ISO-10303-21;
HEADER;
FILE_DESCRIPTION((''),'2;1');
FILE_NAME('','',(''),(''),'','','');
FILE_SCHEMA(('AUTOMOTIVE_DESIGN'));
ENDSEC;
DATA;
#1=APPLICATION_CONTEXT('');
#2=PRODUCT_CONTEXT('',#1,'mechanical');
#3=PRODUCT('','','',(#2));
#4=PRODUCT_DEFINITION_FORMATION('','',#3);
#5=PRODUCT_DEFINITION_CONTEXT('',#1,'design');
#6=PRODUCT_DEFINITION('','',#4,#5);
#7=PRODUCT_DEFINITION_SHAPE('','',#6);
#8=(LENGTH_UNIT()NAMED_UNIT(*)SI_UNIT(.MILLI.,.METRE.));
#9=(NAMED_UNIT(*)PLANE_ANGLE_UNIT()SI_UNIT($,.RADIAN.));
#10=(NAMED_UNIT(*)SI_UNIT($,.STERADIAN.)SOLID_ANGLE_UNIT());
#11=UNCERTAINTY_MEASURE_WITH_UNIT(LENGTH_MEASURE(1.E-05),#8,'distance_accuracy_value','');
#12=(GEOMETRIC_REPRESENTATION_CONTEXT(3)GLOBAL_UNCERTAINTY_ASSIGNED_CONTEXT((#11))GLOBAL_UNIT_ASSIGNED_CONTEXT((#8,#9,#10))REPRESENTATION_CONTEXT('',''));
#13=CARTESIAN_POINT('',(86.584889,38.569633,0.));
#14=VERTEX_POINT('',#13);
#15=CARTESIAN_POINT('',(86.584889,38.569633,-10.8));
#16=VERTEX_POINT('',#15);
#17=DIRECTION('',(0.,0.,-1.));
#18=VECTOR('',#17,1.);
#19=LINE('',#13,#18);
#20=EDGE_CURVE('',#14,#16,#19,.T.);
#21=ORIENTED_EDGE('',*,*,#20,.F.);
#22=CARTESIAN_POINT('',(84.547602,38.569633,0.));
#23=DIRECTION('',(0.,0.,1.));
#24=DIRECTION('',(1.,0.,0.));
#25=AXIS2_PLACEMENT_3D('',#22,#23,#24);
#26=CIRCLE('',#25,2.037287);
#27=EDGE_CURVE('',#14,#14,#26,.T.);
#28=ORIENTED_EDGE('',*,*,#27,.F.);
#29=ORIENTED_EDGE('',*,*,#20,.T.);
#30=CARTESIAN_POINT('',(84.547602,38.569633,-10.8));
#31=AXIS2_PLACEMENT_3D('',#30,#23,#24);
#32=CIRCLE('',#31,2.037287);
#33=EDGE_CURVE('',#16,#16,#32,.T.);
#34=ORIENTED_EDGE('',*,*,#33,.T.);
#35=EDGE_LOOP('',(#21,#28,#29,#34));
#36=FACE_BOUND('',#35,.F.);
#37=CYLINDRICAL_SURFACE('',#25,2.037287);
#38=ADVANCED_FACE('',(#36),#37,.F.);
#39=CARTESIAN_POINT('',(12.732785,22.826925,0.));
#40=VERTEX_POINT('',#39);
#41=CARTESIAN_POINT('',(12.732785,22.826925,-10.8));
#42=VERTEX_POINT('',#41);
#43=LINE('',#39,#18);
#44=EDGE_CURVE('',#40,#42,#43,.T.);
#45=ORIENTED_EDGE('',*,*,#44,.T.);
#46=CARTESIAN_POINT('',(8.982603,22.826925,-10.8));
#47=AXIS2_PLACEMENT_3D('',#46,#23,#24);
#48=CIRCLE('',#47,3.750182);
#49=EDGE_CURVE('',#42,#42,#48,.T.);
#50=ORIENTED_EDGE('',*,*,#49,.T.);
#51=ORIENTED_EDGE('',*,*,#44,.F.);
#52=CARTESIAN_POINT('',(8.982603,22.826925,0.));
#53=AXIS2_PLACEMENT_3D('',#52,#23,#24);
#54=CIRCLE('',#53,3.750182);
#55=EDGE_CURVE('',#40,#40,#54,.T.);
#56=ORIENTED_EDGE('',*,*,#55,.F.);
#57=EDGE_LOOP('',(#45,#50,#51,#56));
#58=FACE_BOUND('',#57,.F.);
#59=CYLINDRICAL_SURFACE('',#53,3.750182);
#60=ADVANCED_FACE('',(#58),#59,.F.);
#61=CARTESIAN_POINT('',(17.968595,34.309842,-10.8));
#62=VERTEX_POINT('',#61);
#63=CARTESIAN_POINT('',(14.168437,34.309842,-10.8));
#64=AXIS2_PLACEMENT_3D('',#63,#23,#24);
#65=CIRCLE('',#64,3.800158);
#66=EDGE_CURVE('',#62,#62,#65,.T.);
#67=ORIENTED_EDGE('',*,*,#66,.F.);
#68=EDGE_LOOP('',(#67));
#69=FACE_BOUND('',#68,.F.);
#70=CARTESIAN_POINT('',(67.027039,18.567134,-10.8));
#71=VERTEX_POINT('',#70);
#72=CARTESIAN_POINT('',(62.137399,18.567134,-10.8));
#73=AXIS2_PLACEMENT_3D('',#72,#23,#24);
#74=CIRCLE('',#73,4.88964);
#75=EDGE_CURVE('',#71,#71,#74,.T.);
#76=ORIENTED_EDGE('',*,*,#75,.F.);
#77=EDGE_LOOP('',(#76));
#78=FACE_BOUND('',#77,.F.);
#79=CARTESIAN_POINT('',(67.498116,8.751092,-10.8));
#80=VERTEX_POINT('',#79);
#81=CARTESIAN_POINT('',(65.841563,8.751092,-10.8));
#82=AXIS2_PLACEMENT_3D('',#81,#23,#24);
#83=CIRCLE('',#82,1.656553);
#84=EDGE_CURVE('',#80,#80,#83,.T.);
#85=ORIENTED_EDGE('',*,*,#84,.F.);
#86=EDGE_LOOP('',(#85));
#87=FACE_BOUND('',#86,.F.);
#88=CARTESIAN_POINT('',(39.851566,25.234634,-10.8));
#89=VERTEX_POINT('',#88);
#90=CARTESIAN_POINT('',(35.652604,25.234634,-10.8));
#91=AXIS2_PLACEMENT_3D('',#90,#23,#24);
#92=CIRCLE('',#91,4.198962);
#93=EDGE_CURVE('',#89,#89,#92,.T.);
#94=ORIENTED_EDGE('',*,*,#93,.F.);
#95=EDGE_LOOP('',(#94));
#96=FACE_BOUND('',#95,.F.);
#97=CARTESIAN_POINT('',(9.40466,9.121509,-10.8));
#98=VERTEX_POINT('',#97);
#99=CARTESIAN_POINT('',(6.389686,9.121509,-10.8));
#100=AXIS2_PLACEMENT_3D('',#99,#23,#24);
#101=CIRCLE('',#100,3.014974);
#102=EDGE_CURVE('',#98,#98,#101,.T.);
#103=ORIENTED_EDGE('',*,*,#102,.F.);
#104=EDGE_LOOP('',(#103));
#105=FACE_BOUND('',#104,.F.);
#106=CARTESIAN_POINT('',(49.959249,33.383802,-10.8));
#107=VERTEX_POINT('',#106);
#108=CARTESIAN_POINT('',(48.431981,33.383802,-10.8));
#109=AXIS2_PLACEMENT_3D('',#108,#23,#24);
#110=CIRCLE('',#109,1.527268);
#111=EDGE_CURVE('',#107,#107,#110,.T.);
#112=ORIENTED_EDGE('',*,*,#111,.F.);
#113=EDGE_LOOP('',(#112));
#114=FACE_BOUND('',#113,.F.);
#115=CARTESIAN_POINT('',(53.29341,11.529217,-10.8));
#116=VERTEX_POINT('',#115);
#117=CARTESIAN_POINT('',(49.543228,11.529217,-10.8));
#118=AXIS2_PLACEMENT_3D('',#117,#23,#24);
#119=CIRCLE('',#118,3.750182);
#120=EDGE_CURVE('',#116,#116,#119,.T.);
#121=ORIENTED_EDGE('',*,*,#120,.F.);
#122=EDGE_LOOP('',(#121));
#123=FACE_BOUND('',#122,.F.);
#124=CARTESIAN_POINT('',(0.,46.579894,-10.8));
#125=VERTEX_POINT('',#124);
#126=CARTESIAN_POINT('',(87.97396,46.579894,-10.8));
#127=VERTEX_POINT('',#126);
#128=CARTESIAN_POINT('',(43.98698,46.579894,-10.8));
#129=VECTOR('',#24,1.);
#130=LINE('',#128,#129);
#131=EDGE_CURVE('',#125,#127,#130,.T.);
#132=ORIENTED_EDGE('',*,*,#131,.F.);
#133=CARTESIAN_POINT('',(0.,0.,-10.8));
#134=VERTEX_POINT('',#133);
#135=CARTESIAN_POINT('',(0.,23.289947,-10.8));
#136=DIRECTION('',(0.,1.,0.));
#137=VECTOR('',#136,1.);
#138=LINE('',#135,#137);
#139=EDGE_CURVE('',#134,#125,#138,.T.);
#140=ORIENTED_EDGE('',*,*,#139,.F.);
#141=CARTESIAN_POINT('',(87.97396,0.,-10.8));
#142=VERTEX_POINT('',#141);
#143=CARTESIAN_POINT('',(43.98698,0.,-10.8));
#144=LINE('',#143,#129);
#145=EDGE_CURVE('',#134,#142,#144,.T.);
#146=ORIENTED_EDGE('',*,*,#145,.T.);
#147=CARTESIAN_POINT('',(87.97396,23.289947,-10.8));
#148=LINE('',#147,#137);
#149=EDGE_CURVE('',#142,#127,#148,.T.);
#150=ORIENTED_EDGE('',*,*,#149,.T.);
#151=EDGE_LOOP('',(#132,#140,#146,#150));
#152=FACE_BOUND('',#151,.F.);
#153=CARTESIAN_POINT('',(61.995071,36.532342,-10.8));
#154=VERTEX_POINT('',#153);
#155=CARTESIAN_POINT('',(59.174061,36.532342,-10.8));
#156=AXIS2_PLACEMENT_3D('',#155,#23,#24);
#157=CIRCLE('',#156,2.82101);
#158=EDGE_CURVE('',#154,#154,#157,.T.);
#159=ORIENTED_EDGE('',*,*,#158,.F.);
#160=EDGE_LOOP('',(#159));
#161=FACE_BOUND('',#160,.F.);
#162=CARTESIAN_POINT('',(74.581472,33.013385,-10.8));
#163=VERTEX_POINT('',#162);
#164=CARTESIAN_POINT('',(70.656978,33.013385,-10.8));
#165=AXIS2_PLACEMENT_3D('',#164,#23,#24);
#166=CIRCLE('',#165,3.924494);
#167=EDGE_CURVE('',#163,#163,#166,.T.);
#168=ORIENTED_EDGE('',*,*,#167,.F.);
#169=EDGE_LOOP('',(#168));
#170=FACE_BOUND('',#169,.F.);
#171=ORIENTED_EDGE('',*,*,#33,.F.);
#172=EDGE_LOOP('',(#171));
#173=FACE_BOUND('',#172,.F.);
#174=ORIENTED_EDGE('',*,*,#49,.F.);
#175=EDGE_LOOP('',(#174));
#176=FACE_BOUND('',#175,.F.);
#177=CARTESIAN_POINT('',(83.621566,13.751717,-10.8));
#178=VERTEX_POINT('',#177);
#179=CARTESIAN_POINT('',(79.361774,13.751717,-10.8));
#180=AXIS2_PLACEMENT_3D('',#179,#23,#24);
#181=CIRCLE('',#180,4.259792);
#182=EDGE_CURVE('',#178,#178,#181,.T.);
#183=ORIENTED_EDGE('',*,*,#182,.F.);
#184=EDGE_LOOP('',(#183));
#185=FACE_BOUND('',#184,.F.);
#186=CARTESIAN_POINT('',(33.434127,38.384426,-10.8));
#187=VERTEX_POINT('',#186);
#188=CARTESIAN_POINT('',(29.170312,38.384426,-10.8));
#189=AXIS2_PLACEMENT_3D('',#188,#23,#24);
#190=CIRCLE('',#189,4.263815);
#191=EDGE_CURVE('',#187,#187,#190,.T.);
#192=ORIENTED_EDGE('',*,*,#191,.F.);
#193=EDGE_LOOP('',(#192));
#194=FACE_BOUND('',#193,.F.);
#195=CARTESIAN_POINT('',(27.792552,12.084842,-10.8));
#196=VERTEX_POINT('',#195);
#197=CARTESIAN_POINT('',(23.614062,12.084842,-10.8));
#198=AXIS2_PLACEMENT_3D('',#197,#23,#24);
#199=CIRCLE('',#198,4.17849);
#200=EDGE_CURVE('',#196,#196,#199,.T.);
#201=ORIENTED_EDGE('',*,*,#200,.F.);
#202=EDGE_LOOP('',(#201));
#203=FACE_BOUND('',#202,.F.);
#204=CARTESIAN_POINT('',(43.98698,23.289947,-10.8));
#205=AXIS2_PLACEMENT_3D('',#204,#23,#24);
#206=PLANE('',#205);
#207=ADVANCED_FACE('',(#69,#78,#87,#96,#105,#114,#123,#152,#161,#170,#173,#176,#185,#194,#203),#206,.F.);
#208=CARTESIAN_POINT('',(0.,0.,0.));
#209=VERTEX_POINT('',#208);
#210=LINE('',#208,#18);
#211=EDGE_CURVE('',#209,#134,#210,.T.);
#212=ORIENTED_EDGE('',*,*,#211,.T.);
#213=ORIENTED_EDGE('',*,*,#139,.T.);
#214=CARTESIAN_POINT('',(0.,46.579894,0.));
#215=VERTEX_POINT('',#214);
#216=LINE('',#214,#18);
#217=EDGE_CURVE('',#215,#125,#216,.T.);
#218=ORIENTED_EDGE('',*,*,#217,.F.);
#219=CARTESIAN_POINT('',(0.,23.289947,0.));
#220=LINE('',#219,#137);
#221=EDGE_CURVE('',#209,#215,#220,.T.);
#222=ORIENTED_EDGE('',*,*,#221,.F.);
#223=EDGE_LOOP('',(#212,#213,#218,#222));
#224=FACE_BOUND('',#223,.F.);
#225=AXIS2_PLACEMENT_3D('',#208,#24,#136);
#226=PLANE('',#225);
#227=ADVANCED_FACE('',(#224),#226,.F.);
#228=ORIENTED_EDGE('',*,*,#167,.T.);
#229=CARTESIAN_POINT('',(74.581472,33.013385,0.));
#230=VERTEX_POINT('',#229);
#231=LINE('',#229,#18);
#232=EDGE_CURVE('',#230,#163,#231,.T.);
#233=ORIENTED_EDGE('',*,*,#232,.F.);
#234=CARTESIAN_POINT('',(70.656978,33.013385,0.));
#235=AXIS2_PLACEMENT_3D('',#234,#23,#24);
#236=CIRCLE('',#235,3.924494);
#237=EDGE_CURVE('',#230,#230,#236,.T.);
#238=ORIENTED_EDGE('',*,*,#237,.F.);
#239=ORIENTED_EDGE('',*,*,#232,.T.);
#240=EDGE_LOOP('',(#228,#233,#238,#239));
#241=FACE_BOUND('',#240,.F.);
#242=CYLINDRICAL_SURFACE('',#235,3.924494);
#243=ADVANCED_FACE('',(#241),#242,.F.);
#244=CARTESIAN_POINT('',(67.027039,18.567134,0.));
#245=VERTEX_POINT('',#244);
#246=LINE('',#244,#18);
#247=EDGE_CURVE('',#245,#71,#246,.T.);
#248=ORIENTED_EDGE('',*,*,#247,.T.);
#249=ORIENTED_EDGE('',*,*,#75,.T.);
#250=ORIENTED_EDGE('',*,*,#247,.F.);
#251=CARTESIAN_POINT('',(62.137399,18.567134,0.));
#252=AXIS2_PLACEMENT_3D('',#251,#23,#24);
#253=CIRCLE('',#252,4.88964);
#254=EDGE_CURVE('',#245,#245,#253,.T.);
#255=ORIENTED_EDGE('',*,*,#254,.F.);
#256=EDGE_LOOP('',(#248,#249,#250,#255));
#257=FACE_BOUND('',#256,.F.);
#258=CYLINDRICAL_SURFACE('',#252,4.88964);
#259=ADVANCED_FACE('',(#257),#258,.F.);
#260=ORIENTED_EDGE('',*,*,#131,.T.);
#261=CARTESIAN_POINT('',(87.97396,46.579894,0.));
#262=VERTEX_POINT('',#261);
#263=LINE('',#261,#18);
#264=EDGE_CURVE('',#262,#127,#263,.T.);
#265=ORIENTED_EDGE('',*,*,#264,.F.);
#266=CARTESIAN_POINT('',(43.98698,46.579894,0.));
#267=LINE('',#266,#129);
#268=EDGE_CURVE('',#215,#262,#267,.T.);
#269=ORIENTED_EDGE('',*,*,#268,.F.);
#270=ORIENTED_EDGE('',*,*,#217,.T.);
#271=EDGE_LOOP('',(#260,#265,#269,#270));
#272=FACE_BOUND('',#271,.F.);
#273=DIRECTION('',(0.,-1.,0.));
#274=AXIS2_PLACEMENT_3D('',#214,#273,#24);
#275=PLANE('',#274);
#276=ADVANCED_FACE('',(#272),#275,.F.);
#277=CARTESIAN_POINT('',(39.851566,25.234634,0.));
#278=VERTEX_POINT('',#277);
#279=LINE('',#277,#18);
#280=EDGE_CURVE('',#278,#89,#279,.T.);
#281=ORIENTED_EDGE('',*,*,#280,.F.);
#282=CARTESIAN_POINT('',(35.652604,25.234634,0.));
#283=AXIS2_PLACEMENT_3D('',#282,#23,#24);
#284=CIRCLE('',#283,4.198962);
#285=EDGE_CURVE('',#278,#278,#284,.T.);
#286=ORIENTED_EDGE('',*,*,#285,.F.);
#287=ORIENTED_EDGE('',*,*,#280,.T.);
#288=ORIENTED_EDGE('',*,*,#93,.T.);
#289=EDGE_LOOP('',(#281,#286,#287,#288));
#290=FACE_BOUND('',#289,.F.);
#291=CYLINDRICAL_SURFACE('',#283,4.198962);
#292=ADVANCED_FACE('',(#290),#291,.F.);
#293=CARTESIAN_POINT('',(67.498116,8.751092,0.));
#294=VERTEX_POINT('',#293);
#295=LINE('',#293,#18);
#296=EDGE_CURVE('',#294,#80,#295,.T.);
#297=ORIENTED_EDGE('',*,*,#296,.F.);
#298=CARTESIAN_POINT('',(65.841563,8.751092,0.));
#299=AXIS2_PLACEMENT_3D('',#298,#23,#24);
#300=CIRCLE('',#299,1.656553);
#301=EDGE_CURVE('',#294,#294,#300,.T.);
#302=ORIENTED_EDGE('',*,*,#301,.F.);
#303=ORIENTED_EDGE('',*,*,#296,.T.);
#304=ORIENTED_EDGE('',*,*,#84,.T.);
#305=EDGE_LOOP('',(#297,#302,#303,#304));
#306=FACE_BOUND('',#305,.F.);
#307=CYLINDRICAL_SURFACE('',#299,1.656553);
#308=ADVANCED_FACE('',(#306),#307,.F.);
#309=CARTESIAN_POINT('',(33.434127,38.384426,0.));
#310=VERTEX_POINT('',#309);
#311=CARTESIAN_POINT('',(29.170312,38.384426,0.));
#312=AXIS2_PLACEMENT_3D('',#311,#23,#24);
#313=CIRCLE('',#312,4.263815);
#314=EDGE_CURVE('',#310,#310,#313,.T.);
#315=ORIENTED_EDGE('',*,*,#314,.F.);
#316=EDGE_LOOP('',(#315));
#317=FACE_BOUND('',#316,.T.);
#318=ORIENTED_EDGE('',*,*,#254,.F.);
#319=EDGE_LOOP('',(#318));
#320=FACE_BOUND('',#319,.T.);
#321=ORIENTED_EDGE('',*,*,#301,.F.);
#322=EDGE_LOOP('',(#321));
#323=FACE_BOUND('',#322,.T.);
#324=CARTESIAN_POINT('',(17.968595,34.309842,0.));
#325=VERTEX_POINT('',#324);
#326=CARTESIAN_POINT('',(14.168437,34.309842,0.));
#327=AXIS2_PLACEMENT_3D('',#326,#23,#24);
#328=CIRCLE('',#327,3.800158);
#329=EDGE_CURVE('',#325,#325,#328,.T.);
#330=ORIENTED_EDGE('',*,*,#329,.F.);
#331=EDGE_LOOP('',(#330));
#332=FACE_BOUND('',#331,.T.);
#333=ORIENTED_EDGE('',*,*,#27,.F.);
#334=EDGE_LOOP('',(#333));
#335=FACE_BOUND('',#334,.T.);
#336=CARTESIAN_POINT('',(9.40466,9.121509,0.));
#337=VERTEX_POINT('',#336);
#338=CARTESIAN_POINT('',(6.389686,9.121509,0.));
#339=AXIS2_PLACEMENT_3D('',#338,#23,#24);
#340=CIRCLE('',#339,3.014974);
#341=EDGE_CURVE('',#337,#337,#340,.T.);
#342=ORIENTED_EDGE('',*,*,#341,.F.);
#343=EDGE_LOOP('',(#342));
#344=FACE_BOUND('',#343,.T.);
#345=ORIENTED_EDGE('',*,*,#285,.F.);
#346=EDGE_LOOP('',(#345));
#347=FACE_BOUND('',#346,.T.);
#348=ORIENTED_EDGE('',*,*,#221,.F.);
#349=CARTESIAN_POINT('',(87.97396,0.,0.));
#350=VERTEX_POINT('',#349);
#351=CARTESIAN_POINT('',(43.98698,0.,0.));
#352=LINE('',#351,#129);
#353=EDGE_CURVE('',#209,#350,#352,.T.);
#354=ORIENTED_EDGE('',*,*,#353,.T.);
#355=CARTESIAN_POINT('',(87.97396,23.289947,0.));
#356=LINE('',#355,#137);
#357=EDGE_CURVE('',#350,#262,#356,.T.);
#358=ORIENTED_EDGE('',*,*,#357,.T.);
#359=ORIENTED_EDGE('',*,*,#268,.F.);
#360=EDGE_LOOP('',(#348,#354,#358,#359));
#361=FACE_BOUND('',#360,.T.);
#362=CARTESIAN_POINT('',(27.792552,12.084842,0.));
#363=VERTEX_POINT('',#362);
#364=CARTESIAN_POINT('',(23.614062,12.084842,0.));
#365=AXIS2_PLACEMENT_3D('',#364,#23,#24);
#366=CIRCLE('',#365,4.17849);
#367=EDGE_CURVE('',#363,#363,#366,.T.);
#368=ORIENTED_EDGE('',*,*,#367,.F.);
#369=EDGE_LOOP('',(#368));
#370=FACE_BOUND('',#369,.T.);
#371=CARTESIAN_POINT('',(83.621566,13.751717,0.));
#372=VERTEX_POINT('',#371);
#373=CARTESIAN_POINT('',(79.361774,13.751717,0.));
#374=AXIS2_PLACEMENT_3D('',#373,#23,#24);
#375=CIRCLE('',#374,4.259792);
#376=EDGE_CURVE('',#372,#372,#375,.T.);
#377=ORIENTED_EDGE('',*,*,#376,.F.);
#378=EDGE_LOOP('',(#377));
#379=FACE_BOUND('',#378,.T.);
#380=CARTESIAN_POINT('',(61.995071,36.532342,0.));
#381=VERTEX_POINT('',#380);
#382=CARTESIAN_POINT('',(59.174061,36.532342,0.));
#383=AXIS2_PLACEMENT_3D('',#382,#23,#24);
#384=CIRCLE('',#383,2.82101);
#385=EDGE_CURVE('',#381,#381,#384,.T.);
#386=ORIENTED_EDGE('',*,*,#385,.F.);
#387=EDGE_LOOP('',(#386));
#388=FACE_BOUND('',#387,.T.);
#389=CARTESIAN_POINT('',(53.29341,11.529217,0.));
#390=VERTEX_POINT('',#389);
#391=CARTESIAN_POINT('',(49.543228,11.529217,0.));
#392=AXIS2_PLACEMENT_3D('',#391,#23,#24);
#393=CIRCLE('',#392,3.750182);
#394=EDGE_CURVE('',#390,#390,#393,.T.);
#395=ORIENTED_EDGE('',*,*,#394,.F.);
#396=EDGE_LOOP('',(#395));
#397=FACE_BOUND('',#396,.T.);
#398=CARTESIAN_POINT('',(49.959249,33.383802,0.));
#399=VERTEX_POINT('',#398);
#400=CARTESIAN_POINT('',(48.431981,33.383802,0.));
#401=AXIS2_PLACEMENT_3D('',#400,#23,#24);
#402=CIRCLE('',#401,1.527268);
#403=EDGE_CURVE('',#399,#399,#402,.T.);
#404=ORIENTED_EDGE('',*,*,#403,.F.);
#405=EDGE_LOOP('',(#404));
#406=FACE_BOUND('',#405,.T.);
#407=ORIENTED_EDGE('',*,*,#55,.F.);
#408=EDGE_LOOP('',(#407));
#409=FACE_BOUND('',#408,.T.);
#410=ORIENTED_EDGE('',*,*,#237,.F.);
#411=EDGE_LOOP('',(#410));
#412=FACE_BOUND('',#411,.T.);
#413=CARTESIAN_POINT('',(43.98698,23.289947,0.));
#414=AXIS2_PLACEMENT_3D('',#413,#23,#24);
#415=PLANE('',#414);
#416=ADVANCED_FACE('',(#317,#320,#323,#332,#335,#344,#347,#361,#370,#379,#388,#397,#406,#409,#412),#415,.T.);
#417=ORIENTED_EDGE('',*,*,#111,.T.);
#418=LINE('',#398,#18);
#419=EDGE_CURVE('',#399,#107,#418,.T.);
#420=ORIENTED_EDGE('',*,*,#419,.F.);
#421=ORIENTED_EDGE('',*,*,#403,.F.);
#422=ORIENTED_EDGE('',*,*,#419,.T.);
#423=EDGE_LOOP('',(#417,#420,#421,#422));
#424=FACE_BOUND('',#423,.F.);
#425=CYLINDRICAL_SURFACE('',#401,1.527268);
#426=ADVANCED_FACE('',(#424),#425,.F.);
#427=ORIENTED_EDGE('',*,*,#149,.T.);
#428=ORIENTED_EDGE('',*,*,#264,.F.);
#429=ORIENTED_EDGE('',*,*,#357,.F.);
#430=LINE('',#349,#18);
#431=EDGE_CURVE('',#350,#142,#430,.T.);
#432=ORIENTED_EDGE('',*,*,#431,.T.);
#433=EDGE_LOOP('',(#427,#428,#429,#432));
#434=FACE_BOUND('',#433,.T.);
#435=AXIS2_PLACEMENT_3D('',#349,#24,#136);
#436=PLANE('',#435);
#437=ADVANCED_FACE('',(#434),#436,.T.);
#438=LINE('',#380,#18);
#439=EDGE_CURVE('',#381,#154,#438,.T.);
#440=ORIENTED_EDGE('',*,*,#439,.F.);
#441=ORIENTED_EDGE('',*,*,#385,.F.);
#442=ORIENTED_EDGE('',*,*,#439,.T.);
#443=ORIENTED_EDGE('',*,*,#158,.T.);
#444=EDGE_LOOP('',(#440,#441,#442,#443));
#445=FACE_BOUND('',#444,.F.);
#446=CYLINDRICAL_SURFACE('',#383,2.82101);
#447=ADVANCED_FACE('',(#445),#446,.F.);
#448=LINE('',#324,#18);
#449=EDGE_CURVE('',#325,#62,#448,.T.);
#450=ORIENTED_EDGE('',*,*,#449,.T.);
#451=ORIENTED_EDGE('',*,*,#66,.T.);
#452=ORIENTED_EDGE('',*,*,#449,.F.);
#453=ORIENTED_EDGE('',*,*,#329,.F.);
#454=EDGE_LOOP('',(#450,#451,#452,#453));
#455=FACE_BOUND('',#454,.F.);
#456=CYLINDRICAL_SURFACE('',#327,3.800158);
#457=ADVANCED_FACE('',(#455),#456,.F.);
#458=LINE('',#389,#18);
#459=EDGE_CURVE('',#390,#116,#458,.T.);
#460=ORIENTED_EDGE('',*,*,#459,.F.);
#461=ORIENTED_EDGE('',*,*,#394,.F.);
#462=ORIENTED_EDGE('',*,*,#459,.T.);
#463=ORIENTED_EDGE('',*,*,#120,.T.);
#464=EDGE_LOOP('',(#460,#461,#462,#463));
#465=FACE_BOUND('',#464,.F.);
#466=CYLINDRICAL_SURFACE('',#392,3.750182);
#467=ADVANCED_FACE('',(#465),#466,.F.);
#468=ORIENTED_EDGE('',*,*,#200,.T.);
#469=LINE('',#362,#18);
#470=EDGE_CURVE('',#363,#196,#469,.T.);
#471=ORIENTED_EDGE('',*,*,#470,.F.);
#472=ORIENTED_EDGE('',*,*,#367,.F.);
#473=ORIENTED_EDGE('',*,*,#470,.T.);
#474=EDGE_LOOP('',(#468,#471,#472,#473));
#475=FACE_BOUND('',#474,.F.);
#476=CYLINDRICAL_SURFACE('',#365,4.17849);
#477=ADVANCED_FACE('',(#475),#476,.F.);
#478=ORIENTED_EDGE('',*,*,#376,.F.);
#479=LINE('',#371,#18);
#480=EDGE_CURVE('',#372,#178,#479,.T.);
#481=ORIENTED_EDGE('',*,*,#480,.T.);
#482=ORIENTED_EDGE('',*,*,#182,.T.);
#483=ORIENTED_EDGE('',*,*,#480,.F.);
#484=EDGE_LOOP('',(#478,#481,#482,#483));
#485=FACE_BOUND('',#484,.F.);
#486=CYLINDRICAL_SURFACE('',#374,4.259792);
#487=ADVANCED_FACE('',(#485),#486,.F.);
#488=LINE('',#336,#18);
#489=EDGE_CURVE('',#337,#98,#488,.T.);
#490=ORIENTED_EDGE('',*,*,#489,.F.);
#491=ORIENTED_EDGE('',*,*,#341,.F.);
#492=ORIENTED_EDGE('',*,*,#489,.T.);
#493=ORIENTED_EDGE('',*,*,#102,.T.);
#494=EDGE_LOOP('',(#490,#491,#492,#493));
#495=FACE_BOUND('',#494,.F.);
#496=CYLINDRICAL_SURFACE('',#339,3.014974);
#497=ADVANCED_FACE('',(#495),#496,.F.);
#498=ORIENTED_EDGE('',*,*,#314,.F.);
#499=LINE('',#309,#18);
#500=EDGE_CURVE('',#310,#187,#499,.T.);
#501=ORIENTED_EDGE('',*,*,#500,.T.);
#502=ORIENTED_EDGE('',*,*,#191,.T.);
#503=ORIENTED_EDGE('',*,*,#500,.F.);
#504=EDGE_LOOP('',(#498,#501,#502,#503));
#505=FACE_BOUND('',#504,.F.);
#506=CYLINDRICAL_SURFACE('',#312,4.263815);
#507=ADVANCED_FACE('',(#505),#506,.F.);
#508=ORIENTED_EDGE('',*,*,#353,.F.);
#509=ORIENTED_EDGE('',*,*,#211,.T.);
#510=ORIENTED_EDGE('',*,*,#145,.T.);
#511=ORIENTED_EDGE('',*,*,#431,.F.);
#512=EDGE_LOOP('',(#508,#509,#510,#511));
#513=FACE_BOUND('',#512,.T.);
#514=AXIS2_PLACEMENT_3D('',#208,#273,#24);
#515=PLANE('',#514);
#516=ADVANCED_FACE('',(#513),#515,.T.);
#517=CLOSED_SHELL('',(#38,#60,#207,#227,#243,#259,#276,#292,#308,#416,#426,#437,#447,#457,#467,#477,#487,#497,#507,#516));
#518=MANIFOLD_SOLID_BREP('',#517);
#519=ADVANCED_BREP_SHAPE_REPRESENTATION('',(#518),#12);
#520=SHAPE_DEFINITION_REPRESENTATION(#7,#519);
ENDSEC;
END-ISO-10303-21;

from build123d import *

# Parameters (mm, degrees)
F0_W     = 87.97396
F0_H     = 46.579894
F1_DEPTH = 10.8
F2_R     = 4.263815
F2_R_2   = 4.198962
F2_R_3   = 3.750182
F2_R_4   = 3.800158
F2_R_5   = 4.17849
F2_R_6   = 3.014974
F2_R_7   = 4.88964
F2_R_8   = 3.924494
F2_R_9   = 2.037287
F2_R_10  = 2.82101
F2_R_11  = 1.527268
F2_R_12  = 1.656553
F2_R_13  = 4.259792
F3_DEPTH = 25


with BuildPart() as f1:
    # F0 (on Top) → F1 (new body)
    with BuildSketch(Plane.XY):
        with Locations((43.98698, 23.289947)):
            Rectangle(F0_W, F0_H)
    extrude(amount=-F1_DEPTH)

    # F2 (on face) → F3 (cut)
    with BuildSketch(Plane.XY):
        with Locations((29.170312, 38.384426)):
            Circle(F2_R)
        with Locations((35.652604, 25.234634)):
            Circle(F2_R_2)
        with Locations((8.982603, 22.826925)):
            Circle(F2_R_3)
        with Locations((14.168437, 34.309842)):
            Circle(F2_R_4)
        with Locations((23.614062, 12.084842)):
            Circle(F2_R_5)
        with Locations((6.389686, 9.121509)):
            Circle(F2_R_6)
        with Locations((49.543228, 11.529217)):
            Circle(F2_R_3)
        with Locations((62.137399, 18.567134)):
            Circle(F2_R_7)
        with Locations((70.656978, 33.013385)):
            Circle(F2_R_8)
        with Locations((84.547602, 38.569633)):
            Circle(F2_R_9)
        with Locations((59.174061, 36.532342)):
            Circle(F2_R_10)
        with Locations((48.431981, 33.383802)):
            Circle(F2_R_11)
        with Locations((65.841563, 8.751092)):
            Circle(F2_R_12)
        with Locations((79.361774, 13.751717)):
            Circle(F2_R_13)
    extrude(amount=-F3_DEPTH, mode=Mode.SUBTRACT)


solid = f1.part
